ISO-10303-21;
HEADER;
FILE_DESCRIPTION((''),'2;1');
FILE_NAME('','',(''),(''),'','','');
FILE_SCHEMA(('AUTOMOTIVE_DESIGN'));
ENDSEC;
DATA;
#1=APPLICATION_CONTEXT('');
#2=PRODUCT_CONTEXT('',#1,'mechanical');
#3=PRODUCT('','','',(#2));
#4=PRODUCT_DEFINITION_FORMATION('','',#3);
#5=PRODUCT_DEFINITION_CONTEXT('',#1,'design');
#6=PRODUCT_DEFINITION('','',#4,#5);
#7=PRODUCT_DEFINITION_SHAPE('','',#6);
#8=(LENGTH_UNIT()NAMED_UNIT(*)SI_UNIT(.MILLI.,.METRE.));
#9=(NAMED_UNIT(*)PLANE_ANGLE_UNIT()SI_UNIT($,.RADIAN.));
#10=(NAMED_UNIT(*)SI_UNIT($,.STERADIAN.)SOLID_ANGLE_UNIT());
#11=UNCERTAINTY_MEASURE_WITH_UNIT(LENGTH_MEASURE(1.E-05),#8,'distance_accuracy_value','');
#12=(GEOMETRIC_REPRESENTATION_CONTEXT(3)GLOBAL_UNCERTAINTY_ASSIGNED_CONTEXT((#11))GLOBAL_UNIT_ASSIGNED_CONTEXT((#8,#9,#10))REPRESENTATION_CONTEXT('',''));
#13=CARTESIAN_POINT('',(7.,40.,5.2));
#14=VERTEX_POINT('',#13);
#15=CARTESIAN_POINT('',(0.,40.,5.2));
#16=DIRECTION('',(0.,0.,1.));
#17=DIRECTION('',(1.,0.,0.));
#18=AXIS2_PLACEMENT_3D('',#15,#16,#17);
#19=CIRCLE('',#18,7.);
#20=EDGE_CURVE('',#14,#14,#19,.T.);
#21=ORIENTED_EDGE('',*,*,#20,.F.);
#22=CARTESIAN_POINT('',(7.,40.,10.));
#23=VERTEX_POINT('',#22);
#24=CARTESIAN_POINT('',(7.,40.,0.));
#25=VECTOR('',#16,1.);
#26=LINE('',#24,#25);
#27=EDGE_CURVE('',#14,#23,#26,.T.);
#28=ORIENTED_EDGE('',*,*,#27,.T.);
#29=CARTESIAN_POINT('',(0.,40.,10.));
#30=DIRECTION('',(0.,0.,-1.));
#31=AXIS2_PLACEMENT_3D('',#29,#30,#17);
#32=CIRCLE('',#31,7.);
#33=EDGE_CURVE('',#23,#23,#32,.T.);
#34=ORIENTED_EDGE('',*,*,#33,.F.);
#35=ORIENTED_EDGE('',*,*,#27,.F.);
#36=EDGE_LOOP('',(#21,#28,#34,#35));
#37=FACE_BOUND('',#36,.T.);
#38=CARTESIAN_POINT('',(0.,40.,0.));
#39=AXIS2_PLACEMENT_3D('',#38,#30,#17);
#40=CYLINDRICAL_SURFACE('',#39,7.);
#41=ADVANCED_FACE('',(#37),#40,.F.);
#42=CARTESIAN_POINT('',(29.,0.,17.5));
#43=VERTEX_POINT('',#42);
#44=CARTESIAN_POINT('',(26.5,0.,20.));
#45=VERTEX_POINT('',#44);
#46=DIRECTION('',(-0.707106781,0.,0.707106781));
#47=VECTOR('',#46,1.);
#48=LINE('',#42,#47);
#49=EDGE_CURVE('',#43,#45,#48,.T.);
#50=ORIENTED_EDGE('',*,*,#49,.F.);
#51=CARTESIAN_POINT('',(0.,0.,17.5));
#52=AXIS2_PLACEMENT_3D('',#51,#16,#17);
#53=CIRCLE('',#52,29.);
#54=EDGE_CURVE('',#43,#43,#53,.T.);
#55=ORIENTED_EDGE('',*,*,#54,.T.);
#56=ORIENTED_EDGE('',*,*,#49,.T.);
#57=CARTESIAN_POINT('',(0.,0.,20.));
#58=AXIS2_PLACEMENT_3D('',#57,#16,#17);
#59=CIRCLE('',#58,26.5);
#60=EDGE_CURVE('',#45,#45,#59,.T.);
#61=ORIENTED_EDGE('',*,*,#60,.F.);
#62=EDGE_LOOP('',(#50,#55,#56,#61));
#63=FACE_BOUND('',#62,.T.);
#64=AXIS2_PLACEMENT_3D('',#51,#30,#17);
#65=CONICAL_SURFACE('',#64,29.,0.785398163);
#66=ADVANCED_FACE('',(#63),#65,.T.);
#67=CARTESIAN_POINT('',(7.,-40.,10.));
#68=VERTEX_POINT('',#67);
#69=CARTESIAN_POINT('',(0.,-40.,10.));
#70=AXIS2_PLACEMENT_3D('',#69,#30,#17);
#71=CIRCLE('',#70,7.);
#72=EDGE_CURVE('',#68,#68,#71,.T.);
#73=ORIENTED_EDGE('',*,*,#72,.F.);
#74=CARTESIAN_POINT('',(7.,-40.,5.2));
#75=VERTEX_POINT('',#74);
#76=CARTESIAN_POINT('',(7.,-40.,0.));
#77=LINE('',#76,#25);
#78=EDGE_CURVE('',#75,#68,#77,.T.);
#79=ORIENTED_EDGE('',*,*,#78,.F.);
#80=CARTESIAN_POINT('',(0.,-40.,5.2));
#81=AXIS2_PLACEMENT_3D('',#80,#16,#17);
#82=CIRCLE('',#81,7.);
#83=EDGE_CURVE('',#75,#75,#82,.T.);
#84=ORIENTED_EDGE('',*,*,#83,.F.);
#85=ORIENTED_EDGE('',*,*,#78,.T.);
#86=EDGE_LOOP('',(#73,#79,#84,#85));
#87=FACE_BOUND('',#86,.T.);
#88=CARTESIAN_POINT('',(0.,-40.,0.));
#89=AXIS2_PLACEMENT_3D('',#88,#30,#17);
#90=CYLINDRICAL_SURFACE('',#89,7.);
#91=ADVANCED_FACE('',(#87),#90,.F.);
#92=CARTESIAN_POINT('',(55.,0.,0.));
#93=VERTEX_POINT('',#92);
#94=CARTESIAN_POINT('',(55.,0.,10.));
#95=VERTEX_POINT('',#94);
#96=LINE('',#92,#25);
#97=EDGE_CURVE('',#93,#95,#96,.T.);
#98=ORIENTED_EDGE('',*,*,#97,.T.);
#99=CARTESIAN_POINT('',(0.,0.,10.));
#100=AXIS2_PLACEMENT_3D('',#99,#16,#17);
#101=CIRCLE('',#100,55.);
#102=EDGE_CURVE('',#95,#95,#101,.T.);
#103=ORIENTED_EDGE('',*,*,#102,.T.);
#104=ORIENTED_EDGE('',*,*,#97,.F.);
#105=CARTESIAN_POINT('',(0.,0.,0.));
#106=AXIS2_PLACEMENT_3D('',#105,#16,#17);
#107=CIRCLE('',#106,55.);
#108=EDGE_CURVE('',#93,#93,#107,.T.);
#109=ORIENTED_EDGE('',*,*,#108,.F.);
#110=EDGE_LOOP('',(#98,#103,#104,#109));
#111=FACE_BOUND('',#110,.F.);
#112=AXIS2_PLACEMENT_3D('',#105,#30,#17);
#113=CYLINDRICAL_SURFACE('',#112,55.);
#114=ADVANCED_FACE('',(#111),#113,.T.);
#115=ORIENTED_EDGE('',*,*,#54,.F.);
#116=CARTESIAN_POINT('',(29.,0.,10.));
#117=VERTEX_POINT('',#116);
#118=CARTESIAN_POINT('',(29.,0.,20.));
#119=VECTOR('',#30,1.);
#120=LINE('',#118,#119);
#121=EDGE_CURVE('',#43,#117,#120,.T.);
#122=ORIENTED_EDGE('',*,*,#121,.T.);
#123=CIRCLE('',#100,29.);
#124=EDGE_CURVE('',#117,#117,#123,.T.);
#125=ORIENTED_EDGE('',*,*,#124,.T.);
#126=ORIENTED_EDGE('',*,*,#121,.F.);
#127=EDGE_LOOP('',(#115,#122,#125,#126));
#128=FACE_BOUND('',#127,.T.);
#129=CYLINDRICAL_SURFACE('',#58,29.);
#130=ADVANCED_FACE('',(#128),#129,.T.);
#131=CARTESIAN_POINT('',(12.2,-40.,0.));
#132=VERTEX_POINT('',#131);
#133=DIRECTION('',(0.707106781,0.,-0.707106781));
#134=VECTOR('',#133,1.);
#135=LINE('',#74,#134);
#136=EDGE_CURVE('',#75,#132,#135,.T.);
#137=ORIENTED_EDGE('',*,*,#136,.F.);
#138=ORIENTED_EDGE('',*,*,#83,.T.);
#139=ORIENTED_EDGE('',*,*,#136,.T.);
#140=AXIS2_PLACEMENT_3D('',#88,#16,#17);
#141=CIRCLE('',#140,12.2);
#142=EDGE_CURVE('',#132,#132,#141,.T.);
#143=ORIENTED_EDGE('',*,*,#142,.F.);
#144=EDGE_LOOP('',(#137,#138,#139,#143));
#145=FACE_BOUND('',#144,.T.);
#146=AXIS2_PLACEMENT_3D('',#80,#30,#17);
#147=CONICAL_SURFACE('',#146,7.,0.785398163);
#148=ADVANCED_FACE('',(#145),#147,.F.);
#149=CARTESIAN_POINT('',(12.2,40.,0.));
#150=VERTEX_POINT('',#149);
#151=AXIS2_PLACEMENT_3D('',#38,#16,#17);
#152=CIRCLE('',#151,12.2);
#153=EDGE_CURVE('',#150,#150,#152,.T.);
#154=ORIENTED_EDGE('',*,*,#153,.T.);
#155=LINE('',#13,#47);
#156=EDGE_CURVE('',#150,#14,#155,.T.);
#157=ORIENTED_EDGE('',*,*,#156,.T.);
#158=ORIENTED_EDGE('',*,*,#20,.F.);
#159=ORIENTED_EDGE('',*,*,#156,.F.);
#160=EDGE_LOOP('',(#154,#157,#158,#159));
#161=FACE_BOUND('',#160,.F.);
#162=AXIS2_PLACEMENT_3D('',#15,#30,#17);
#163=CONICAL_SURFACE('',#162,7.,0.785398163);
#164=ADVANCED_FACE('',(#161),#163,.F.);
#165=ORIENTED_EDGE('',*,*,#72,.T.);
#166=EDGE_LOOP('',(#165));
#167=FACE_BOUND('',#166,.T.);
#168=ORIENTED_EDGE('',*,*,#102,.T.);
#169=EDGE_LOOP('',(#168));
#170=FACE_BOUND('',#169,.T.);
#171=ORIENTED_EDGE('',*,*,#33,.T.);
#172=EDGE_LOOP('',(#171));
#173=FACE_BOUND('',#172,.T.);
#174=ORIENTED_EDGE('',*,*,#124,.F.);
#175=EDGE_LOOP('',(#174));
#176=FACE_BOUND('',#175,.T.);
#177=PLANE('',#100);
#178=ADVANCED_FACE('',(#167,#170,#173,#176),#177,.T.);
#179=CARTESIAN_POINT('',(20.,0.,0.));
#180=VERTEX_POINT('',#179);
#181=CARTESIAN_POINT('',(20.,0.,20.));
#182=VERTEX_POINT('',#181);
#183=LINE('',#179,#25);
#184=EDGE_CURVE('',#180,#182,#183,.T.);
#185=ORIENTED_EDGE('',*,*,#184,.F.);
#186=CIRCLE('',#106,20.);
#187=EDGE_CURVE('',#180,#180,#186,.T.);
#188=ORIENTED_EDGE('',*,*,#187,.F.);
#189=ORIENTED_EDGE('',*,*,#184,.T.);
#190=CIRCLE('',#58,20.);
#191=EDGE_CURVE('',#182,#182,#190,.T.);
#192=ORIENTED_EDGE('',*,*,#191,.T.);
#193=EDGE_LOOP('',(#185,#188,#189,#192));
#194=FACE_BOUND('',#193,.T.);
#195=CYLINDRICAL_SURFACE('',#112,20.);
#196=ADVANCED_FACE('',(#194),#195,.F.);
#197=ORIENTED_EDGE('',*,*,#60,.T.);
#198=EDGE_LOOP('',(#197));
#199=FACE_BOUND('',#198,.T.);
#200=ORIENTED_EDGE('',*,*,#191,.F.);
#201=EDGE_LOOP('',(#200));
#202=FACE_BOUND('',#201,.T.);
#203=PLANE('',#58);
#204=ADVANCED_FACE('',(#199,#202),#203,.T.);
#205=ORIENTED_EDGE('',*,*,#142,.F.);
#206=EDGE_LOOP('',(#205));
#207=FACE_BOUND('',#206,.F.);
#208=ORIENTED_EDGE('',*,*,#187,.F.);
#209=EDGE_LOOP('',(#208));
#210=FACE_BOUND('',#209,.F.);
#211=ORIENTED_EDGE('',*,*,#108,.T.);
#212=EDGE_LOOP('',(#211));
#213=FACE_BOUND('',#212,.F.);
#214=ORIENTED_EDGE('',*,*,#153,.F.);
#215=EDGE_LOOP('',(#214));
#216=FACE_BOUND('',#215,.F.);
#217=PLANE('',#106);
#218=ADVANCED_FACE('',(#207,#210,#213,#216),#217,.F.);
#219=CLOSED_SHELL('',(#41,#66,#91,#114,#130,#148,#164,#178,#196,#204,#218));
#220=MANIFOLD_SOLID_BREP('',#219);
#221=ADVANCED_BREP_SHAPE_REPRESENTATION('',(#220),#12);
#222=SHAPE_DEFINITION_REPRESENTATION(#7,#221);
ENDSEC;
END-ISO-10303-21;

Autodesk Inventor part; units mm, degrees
ref_plane "YZ Plane" through (0, 0, 0) normal (1, 0, 0) x (0, 1, 0)
ref_plane "XZ Plane" through (0, 0, 0) normal (0, 1, 0) x (-1, 0, 0)
ref_plane "XY Plane" through (0, 0, 0) normal (0, 0, 1) x (1, 0, 0)
sketch "Эскиз1" plane through (0, 0, 0) normal (0, 0, 1) x (1, 0, 0)
  circle A0 centre (0, 0) radius 55
  circle A1 centre (0, 0) radius 20
  circle A2 centre (0, 40) radius 7
  circle A3 centre (0, -40) radius 7
  dimension "d0" = 110
  dimension "d1" = 40
  dimension "d3" = 14
  dimension "d6" = 360
extrude "Выдавливание1" add sketch "Эскиз1" along normal blind 20
sketch "Эскиз2" plane through (0, 0, 20) normal (0, 0, 1) x (1, 0, 0)
  circle A0 centre (0, 0) radius 55 projected
  circle A1 centre (0, 0) radius 29
  dimension "d10" = 58
extrude "Выдавливание2" cut sketch "Эскиз2" against normal blind 10
chamfer "Фаска1" distance 2.5 angle 45 1 edges at (-29, 0, 20)
chamfer "Фаска2" distance 5.2 angle 45 1 edges at (-7, -40, 0)
chamfer "Фаска3" distance 5.2 angle 45 1 edges at (-7, 40, 0)
properties part number "Крышка"
